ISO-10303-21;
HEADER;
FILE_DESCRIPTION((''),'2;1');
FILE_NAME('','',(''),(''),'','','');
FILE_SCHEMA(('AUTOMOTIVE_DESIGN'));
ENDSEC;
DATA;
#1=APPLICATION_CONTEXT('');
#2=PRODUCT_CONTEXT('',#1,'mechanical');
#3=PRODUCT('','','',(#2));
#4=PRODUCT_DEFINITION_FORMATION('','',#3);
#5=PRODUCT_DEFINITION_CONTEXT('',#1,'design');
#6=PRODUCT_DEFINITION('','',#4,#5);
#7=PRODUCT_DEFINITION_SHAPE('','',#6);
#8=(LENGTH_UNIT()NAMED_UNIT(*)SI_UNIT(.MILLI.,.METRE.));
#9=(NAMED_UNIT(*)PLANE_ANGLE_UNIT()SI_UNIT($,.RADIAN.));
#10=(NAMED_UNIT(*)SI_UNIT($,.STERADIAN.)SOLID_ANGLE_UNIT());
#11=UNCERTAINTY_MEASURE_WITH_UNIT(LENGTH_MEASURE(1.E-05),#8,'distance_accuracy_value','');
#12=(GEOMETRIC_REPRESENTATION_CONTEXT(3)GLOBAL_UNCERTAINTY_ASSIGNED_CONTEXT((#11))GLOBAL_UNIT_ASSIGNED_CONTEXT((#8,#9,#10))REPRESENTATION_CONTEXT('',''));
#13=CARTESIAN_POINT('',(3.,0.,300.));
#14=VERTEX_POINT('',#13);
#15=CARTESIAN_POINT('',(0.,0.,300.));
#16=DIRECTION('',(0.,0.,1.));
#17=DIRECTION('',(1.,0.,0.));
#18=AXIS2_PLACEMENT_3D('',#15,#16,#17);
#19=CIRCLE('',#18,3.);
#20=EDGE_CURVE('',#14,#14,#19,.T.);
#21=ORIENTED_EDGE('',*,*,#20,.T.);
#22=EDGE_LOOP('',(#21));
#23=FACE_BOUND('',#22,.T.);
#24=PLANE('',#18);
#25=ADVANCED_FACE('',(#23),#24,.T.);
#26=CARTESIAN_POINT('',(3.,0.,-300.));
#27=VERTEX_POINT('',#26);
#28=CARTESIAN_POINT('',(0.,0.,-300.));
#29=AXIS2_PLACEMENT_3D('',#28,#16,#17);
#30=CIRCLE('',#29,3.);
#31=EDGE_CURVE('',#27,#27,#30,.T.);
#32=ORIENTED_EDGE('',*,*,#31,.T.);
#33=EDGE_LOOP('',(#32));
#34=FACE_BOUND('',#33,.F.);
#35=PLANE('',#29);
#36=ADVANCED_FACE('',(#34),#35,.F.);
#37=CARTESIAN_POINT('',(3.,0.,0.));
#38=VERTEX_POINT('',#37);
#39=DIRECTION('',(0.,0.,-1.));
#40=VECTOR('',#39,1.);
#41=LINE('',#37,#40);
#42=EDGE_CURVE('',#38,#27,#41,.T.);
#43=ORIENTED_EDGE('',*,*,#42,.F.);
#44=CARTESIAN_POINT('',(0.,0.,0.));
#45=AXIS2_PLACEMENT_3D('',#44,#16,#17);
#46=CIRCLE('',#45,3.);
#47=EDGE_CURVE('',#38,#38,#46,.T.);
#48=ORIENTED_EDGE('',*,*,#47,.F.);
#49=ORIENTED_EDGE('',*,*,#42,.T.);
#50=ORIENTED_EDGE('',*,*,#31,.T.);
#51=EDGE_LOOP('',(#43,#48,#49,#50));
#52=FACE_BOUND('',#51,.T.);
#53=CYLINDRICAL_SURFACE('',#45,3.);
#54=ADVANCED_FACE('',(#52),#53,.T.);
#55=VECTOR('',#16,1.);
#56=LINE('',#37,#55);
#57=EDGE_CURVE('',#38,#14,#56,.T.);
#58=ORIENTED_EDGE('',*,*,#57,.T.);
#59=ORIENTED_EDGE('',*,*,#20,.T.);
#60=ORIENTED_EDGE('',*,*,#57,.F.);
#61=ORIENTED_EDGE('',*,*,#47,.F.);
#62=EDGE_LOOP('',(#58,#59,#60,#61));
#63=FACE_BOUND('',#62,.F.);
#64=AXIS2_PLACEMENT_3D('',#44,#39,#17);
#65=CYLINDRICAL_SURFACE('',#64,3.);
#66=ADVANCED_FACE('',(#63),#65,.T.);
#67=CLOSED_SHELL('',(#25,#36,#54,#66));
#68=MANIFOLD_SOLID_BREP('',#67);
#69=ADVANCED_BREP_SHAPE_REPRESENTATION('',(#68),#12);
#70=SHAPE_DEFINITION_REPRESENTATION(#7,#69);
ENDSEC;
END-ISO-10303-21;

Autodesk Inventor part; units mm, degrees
ref_plane "YZ Plane" through (0, 0, 0) normal (1, 0, 0) x (0, 1, 0)
ref_plane "XZ Plane" through (0, 0, 0) normal (0, 1, 0) x (-1, 0, 0)
ref_plane "XY Plane" through (0, 0, 0) normal (0, 0, 1) x (1, 0, 0)
sketch "Náčrt1" plane through (0, 0, 0) normal (0, 0, 1) x (1, 0, 0)
  circle A0 centre (0, 0) radius 3
  dimension "d0" = 6
extrude "Vysunutí1" add sketch "Náčrt1" along normal mid plane 600
properties part number "tyč" material "Polyacetátová pryskyřice, černá"
